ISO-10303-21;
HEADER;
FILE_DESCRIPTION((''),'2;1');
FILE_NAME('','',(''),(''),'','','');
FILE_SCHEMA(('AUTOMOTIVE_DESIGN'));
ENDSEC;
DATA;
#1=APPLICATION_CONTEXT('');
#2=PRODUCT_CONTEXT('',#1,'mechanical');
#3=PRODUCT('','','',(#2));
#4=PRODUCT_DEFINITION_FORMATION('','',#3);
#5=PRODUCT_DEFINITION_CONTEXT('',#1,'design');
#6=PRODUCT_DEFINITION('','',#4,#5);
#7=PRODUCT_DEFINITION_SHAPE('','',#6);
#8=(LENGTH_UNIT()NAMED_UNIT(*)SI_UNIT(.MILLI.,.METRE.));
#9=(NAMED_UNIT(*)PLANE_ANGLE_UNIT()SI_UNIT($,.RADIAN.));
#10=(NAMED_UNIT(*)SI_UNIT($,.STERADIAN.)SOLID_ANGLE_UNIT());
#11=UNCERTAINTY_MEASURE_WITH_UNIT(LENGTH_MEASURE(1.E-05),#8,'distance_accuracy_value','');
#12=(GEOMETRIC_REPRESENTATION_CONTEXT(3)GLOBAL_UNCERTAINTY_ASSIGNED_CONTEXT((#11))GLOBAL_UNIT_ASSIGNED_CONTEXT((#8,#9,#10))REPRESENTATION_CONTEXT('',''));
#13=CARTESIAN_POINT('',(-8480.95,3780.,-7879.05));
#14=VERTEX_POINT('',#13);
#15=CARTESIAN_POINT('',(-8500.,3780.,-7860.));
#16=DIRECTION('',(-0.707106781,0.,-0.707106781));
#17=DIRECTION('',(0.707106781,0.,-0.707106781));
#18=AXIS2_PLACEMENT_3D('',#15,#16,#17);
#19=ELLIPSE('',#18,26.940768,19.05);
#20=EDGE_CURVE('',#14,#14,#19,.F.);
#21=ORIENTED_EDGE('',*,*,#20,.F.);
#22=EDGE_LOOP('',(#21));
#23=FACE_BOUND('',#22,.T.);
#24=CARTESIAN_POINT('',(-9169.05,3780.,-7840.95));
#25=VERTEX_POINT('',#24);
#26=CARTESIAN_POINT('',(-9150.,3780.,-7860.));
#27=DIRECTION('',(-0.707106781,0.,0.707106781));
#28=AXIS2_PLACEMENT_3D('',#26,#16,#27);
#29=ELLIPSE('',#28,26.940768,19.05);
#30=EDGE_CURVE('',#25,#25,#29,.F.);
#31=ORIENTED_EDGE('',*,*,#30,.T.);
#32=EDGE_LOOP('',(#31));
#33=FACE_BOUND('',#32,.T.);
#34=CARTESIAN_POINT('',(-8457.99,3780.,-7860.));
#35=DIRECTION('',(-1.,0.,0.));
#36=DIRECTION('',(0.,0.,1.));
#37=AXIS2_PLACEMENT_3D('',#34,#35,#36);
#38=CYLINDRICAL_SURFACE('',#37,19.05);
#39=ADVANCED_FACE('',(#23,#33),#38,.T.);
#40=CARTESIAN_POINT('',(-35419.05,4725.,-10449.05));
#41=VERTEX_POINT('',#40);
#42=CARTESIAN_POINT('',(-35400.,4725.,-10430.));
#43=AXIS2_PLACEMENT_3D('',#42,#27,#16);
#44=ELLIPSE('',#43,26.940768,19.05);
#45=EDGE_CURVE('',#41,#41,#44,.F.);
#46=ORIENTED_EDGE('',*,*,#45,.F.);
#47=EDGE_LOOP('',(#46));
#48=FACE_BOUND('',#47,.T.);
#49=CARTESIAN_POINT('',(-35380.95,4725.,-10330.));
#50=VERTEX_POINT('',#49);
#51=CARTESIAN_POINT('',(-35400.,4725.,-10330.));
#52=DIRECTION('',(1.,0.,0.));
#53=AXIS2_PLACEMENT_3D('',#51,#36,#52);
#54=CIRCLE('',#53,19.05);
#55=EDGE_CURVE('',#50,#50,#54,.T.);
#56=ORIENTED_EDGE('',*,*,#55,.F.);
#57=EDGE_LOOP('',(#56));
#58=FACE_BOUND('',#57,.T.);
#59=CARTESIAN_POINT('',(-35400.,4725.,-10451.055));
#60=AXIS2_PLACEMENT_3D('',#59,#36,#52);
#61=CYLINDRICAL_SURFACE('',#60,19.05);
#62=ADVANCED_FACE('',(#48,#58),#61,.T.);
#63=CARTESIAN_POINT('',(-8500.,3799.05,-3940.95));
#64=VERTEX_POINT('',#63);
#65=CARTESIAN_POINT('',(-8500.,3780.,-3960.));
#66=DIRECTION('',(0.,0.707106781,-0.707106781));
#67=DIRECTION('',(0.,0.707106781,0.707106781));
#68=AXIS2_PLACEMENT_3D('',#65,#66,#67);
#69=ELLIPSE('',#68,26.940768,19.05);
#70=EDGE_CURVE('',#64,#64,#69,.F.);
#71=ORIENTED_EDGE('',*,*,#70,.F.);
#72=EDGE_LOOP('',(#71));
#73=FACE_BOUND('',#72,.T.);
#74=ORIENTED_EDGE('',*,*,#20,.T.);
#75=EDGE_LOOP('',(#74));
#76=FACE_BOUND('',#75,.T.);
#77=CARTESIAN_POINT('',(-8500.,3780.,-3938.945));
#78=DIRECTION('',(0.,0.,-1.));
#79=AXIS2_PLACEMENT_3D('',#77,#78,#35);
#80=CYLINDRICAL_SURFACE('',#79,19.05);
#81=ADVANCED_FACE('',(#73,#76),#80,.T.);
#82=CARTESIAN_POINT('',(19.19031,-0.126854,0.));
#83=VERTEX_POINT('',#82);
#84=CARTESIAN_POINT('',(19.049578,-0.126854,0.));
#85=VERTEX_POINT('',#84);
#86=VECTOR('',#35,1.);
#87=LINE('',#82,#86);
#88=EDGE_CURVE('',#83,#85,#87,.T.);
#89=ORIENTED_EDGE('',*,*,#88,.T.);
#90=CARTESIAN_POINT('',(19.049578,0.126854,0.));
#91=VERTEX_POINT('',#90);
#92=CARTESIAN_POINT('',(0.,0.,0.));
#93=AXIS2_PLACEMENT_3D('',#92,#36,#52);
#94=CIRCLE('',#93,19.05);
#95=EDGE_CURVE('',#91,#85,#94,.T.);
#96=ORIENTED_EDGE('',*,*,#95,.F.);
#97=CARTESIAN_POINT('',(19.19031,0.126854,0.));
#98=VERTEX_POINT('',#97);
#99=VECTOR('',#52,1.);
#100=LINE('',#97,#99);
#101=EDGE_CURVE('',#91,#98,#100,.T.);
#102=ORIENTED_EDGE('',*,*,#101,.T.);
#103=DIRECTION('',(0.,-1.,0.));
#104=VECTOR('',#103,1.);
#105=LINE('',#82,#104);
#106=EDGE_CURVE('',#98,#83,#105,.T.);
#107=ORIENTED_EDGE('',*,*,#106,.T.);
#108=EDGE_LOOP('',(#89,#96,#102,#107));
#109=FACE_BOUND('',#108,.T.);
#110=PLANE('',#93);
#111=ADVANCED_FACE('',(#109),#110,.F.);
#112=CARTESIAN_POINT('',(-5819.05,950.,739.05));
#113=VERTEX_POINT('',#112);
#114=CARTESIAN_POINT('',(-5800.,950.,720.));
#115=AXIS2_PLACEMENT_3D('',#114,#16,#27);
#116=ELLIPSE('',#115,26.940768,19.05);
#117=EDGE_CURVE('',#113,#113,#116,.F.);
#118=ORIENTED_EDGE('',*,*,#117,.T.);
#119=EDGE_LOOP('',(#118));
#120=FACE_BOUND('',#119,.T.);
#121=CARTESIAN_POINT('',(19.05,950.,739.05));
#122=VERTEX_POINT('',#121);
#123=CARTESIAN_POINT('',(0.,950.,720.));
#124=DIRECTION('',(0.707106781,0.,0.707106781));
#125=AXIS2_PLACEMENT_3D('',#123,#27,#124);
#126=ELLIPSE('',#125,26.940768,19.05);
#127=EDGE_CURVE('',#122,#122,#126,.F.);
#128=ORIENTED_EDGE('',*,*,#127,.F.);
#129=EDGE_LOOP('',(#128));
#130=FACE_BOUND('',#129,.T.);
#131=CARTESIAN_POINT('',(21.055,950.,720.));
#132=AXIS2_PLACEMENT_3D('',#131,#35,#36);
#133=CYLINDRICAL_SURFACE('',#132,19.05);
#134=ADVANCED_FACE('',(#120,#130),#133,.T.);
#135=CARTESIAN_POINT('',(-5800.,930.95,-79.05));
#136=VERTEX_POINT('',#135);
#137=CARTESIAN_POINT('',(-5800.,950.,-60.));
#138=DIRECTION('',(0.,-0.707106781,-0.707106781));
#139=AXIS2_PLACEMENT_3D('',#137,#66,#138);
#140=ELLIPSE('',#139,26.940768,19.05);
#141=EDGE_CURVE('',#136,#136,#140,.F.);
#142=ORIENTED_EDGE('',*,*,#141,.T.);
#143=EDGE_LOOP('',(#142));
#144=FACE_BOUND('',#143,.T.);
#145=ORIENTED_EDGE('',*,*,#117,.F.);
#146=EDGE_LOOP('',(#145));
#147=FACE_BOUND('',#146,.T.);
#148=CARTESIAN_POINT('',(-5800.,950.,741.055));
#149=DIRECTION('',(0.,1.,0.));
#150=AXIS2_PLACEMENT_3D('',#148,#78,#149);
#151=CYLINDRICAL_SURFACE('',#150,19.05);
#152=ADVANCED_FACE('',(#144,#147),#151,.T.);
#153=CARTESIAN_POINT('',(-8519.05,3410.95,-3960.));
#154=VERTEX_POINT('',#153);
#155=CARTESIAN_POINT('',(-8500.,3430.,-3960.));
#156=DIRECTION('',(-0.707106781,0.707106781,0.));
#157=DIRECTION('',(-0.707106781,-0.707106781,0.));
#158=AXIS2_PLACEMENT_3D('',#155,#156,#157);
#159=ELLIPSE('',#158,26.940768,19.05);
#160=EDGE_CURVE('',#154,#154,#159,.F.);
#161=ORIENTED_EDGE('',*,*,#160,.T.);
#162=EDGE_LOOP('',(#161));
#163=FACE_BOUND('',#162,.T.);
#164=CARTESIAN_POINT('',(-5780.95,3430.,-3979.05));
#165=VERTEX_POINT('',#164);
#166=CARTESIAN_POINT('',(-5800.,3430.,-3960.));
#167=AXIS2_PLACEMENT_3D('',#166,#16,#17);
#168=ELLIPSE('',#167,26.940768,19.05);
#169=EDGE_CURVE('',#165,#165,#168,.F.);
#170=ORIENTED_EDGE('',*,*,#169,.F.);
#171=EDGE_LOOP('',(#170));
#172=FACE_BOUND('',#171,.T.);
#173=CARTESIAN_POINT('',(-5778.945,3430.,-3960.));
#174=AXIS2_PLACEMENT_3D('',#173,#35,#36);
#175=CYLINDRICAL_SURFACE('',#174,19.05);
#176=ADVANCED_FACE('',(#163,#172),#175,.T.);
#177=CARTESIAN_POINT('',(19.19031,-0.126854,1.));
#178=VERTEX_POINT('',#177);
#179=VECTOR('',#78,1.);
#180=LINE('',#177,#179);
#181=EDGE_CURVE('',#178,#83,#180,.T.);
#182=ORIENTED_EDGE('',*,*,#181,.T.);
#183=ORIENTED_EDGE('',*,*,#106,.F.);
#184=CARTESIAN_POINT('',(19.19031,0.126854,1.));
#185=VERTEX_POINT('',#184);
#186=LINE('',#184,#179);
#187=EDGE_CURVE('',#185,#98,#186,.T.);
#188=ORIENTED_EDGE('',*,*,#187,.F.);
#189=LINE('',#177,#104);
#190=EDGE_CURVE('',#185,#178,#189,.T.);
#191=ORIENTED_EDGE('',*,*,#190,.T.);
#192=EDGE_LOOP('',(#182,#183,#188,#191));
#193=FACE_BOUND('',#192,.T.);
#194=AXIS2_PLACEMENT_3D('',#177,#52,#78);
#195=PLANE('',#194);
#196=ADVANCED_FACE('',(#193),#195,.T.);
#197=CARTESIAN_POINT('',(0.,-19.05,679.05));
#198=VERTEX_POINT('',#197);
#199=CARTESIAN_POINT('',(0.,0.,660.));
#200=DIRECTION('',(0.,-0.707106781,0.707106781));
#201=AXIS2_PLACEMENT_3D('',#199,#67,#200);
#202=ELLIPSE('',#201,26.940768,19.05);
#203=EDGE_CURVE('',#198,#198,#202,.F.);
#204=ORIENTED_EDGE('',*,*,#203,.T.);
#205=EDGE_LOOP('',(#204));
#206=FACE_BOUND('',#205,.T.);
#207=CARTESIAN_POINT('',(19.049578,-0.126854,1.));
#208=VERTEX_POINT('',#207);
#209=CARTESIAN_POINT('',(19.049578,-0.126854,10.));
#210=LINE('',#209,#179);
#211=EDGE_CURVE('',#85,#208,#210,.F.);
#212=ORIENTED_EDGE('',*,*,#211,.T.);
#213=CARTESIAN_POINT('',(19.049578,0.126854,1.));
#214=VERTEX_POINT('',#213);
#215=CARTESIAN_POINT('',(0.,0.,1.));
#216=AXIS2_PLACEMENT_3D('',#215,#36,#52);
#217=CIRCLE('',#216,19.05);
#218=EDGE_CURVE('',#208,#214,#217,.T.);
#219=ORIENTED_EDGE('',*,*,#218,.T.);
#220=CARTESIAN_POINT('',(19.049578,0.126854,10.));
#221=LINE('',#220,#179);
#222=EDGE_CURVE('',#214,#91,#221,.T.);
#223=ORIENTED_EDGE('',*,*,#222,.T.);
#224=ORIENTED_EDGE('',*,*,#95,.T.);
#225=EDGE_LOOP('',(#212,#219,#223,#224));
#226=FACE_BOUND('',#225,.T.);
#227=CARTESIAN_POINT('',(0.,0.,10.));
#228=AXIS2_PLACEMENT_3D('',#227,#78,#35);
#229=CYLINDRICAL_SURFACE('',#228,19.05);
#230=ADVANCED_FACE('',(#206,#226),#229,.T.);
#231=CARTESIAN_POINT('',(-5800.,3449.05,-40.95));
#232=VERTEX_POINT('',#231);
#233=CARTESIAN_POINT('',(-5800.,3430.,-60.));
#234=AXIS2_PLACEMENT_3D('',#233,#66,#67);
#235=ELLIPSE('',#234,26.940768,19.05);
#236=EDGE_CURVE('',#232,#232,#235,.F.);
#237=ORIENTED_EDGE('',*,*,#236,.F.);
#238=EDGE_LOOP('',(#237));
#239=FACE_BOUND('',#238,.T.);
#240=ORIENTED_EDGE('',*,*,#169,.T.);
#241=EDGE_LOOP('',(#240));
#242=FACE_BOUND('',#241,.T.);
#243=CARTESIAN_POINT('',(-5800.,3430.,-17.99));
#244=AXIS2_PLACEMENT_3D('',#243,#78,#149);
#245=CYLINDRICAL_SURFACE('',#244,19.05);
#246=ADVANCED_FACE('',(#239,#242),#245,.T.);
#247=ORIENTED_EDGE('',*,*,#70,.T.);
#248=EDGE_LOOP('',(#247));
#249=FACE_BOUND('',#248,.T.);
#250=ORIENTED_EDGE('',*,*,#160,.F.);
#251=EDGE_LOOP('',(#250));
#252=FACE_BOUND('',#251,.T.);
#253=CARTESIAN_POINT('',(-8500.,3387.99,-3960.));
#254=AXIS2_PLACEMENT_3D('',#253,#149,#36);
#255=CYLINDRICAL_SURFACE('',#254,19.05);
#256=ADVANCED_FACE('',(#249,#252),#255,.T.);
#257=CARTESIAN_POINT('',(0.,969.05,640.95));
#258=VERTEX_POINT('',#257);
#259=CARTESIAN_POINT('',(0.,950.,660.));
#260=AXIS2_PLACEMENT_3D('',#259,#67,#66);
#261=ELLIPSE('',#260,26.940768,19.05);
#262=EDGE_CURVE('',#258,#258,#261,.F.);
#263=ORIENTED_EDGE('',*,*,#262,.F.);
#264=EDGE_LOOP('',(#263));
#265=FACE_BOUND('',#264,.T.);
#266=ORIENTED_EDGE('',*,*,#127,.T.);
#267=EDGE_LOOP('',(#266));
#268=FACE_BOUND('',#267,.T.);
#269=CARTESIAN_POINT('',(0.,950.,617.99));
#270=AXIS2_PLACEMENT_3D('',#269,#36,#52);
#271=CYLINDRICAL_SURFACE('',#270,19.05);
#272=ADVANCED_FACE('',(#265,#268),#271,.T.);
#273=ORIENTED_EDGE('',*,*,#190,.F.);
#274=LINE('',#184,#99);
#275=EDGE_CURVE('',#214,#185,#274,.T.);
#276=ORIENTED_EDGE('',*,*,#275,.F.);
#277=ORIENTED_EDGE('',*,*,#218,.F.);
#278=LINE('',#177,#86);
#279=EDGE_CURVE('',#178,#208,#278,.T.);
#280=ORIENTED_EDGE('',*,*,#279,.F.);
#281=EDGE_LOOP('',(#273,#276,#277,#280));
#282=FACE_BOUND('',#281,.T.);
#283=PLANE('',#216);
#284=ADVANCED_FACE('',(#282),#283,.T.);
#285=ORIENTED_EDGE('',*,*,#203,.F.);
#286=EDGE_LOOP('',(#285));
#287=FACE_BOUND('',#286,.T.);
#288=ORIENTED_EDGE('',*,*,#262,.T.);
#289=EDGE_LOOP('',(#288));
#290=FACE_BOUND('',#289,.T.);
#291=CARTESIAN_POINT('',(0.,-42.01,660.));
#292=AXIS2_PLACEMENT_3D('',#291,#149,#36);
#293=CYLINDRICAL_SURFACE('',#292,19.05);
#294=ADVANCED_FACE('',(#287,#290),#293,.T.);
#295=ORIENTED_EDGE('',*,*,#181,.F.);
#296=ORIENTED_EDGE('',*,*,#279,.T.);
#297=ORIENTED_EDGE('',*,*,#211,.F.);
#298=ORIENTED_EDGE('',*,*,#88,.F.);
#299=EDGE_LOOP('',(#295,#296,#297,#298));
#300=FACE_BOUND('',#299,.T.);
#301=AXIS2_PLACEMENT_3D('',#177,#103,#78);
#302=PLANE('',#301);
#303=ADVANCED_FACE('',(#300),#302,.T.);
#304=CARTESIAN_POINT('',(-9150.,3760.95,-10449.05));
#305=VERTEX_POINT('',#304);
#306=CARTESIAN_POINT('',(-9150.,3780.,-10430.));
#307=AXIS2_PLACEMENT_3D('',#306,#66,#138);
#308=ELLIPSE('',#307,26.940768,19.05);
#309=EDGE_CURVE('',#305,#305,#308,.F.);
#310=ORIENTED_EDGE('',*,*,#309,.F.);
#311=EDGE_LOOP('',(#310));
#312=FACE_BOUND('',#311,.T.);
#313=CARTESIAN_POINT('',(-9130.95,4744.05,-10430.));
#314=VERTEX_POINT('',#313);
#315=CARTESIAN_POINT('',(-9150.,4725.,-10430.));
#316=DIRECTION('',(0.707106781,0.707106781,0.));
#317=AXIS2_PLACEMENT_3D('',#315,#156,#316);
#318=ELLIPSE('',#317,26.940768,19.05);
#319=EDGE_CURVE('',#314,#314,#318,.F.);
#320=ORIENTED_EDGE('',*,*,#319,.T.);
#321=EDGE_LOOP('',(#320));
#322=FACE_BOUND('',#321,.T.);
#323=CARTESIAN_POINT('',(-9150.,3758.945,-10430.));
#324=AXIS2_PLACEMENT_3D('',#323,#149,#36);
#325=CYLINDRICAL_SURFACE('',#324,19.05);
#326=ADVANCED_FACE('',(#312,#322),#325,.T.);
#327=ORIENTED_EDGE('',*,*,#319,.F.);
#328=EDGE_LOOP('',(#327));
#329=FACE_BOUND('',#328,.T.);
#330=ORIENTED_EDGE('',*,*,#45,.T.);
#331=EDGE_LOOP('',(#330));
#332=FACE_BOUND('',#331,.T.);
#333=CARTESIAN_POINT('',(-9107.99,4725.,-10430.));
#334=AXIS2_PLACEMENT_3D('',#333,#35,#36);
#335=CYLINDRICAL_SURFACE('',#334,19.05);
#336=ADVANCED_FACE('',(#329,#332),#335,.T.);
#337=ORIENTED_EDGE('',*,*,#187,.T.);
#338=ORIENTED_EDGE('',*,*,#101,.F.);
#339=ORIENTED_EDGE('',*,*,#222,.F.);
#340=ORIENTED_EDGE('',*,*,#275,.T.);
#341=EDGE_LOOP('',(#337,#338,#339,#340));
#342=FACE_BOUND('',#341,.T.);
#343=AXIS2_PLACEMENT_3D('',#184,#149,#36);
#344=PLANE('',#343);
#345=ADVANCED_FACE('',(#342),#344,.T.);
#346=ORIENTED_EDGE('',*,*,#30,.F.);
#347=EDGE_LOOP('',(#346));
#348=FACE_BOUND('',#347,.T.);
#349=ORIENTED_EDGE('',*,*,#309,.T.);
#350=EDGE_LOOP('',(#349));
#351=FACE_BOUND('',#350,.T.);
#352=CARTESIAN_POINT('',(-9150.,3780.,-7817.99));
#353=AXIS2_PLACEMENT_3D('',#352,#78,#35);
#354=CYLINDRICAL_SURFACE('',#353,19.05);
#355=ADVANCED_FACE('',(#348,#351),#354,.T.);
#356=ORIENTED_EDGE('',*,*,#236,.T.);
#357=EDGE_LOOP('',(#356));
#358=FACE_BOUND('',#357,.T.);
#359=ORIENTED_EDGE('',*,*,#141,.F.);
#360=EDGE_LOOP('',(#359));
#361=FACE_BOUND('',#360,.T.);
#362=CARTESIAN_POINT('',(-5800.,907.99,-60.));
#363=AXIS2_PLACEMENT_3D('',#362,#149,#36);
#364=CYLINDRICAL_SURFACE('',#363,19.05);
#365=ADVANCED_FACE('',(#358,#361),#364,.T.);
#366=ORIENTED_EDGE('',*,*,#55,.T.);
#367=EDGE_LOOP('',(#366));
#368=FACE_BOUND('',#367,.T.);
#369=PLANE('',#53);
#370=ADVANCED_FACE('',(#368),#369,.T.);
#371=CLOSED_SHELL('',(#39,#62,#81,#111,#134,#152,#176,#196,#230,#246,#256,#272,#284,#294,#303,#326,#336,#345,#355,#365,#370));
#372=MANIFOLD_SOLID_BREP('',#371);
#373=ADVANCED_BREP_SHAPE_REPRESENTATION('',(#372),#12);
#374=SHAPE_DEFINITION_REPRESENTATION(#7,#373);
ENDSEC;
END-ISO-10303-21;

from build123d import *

# Parameters (mm, degrees)
CROQUIS1_R              = 19.05
SALIENTE_EXTRUIR1_DEPTH = 10
CROQUIS2_R              = 19.05
CROQUIS3_W              = 0.28062043
CROQUIS3_H              = 0.25370786
SALIENTE_EXTRUIR2_DEPTH = 1


with BuildPart() as part:
    # Croquis1 → Saliente-Extruir1 (new body)
    with BuildSketch(Plane.XY):
        Circle(CROQUIS1_R)
    extrude(amount=SALIENTE_EXTRUIR1_DEPTH)

    # Barrer1: sweep along a curve in space
    with BuildLine() as barrer1_path:
        Line((0, 0, 10), (0, 0, 660))
        Line((0, 0, 660), (0, 950, 660))
        Line((0, 950, 660), (0, 950, 720))
        Line((0, 950, 720), (-5800, 950, 720))
        Line((-5800, 950, 720), (-5800, 950, -60))
        Line((-5800, 950, -60), (-5800, 3430, -60))
        Line((-5800, 3430, -60), (-5800, 3430, -3960))
        Line((-5800, 3430, -3960), (-8500, 3430, -3960))
        Line((-8500, 3430, -3960), (-8500, 3780, -3960))
        Line((-8500, 3780, -3960), (-8500, 3780, -7860))
        Line((-8500, 3780, -7860), (-9150, 3780, -7860))
        Line((-9150, 3780, -7860), (-9150, 3780, -10430))
        Line((-9150, 3780, -10430), (-9150, 4725, -10430))
        Line((-9150, 4725, -10430), (-35400, 4725, -10430))
        Line((-35400, 4725, -10430), (-35400, 4725, -10330))
    # Croquis2 → Barrer1 (sweep)
    with BuildSketch(Plane.XY.offset(10)):
        Circle(CROQUIS2_R)
    sweep(path=barrer1_path.line, transition=Transition.RIGHT)

    # Croquis3 → Saliente-Extruir2 (add)
    with BuildSketch(Plane(origin=(0, 0, 0), x_dir=(-1, 0, 0), z_dir=(0, 0, -1))):
        with Locations((-19.05, 0)):
            Rectangle(CROQUIS3_W, CROQUIS3_H)
    extrude(amount=-SALIENTE_EXTRUIR2_DEPTH)


solid = part.part
